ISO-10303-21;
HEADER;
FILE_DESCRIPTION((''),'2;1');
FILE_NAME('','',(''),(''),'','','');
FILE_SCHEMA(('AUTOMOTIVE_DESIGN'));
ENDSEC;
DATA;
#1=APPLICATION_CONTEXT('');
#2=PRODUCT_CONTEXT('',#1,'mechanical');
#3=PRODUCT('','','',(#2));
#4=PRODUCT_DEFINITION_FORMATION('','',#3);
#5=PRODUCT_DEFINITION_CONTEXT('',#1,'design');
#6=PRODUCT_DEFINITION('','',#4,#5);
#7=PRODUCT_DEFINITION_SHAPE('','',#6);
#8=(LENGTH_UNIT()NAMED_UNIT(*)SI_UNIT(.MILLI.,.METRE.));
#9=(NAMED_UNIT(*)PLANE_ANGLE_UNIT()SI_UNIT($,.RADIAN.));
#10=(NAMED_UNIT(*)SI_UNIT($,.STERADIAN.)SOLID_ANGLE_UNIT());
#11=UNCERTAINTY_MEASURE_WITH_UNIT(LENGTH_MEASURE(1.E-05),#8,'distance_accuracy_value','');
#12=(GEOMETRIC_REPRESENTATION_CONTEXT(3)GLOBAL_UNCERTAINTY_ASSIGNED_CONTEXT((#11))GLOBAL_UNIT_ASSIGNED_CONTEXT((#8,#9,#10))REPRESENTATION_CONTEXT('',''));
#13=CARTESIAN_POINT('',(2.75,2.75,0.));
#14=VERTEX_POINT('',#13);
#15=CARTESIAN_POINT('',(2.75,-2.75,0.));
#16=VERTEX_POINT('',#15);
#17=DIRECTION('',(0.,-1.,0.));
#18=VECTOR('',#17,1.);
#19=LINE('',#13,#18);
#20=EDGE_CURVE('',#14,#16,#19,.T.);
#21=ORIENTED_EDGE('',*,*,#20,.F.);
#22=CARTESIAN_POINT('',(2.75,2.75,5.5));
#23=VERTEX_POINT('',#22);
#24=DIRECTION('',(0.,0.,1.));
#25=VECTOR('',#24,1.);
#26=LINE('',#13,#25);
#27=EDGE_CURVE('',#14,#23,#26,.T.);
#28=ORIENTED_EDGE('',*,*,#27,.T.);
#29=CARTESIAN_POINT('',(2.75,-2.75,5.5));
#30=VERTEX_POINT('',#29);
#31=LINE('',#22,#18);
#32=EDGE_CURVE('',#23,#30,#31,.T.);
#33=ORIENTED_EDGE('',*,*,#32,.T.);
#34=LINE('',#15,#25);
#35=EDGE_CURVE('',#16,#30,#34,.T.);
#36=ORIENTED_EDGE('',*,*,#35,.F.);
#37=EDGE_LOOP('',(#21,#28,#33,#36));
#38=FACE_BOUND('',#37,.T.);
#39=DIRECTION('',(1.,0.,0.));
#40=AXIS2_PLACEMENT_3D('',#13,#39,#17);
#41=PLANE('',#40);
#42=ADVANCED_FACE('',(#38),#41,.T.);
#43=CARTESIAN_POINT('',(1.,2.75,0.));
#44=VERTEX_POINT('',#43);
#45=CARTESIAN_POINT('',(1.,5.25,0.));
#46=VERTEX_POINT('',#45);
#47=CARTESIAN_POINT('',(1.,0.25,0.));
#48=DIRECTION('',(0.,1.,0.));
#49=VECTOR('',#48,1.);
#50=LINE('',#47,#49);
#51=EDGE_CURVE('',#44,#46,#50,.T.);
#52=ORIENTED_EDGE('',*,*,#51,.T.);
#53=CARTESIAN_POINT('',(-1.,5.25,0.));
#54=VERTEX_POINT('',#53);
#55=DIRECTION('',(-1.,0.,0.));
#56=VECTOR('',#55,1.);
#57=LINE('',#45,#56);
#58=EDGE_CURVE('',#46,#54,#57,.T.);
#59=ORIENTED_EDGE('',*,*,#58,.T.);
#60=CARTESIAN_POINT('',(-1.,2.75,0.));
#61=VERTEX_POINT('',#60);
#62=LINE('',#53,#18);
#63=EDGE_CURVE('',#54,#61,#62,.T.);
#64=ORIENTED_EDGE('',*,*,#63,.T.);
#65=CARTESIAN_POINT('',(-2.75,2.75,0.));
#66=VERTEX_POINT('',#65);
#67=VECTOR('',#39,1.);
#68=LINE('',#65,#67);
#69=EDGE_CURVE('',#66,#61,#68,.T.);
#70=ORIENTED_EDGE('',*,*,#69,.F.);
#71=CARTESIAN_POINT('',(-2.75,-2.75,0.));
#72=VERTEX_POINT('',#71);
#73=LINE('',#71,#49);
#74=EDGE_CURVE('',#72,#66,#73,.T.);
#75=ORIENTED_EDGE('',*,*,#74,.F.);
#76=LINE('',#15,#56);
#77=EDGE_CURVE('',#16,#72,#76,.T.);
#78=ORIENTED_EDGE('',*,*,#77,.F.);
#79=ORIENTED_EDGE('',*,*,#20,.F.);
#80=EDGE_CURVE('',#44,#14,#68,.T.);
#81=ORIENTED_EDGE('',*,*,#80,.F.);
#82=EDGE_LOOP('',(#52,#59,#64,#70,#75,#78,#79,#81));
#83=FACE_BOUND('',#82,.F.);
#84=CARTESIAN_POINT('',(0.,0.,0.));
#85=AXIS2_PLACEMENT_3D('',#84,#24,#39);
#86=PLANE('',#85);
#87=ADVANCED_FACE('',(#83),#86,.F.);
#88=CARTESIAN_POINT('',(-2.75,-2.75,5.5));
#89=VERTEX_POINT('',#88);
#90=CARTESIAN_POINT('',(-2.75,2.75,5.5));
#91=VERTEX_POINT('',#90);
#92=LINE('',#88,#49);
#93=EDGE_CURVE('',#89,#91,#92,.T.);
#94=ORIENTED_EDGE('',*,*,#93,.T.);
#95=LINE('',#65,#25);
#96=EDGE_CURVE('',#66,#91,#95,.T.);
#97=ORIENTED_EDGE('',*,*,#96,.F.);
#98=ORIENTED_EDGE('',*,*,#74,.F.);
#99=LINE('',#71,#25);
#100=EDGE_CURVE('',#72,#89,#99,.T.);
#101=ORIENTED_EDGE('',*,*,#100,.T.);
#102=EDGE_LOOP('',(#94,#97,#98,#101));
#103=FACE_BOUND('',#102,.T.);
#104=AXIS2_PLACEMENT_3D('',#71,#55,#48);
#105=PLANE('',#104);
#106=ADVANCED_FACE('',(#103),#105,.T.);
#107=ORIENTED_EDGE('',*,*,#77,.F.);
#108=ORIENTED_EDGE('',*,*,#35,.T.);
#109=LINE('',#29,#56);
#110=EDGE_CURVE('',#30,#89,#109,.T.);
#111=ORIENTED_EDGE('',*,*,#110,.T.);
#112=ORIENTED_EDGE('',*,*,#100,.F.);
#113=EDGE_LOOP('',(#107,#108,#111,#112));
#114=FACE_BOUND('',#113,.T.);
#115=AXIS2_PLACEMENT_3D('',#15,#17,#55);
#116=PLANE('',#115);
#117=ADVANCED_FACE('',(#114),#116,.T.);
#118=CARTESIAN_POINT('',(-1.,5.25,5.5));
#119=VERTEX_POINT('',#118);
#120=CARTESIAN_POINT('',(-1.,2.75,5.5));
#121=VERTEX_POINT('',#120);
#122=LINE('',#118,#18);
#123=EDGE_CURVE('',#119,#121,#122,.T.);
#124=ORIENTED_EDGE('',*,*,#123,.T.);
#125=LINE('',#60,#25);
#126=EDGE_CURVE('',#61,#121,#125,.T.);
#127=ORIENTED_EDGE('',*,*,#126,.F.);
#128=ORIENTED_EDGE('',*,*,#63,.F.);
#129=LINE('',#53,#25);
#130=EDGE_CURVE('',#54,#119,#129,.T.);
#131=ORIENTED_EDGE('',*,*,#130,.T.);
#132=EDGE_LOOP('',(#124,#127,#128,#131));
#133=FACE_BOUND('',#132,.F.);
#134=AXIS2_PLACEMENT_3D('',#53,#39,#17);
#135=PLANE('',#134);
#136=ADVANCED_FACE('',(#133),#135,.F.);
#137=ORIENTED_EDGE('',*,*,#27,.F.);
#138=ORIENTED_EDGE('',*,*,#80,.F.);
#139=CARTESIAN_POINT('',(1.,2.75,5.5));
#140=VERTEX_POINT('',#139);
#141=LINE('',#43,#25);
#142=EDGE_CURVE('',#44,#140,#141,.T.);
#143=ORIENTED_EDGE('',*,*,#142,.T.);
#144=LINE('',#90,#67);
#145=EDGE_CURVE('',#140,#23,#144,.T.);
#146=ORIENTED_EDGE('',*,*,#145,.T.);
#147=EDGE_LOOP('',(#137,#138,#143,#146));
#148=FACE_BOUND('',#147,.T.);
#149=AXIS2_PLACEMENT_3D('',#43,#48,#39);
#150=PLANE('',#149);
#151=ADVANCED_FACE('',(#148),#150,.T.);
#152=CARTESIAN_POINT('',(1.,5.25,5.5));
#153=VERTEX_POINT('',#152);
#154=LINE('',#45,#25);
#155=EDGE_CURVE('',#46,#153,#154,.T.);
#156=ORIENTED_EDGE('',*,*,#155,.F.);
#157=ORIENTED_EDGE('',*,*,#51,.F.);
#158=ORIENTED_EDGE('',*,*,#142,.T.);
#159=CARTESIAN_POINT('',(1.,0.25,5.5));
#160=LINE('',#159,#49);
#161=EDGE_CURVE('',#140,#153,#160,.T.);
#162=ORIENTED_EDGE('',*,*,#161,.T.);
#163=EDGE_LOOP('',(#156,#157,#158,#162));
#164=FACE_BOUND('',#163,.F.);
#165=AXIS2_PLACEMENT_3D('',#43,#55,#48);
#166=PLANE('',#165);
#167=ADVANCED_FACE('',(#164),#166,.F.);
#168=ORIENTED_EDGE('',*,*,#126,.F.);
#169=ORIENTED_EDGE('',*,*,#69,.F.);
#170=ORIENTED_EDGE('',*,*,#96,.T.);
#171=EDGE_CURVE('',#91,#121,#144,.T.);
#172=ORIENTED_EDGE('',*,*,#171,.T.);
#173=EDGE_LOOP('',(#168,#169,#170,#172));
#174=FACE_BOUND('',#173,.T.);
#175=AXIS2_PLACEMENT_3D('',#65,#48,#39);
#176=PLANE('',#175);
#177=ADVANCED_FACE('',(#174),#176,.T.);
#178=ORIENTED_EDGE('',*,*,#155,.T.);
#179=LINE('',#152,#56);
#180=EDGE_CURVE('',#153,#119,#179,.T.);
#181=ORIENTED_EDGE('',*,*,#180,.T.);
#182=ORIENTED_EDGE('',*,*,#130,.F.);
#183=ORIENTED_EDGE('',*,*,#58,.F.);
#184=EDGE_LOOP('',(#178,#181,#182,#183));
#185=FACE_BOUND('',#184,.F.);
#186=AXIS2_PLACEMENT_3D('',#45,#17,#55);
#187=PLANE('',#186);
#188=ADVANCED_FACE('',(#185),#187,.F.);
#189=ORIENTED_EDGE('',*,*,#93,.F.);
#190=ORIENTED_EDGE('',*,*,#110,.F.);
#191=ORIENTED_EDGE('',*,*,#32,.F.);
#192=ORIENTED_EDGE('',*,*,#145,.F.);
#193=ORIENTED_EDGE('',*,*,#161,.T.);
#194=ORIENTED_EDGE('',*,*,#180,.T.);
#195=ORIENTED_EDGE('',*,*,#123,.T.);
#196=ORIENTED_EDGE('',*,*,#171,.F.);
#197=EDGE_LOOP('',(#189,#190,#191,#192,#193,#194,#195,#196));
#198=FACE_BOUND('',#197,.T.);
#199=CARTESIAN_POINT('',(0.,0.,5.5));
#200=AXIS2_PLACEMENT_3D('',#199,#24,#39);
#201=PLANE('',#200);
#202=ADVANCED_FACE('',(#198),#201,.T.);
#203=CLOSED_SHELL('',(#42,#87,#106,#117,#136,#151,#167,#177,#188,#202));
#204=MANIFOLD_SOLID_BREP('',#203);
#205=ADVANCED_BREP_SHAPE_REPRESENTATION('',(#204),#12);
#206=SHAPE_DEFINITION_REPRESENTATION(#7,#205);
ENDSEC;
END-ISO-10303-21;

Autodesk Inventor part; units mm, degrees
ref_plane "YZ Plane" through (0, 0, 0) normal (1, 0, 0) x (0, 1, 0)
ref_plane "XZ Plane" through (0, 0, 0) normal (0, 1, 0) x (-1, 0, 0)
ref_plane "XY Plane" through (0, 0, 0) normal (0, 0, 1) x (1, 0, 0)
sketch "Sketch1" plane through (0, 0, 0) normal (0, 0, 1) x (1, 0, 0)
  line L0 (2.75, -2.75) -> (-2.75, -2.75)
  line L1 (-2.75, -2.75) -> (-2.75, 2.75)
  line L2 (-2.75, 2.75) -> (2.75, 2.75)
  line L3 (2.75, 2.75) -> (2.75, -2.75)
  line L4 (2.75, -2.75) -> (-2.75, 2.75) construction
  line L5 (-2.75, -2.75) -> (2.75, 2.75) construction
  line L6 (1, 0.25) -> (1, 5.25)
  line L7 (1, 5.25) -> (-1, 5.25)
  line L8 (-1, 5.25) -> (-1, 0.25)
  line L9 (-1, 0.25) -> (1, 0.25)
  line L10 (1, 0.25) -> (-1, 5.25) construction
  line L11 (1, 5.25) -> (-1, 0.25) construction
  point P0 (0, 0)
  point P1 (0, 2.75)
  point P2 (-1, 2.75)
  point P3 (1, 2.75)
  dimension "d0" = 5.5
  dimension "d1" = 5.5
  dimension "d2" = 2
  dimension "d3" = 5
extrude "Extrusion1" add sketch "Sketch1" along normal blind 5.5
properties part number "Agarose-block"
